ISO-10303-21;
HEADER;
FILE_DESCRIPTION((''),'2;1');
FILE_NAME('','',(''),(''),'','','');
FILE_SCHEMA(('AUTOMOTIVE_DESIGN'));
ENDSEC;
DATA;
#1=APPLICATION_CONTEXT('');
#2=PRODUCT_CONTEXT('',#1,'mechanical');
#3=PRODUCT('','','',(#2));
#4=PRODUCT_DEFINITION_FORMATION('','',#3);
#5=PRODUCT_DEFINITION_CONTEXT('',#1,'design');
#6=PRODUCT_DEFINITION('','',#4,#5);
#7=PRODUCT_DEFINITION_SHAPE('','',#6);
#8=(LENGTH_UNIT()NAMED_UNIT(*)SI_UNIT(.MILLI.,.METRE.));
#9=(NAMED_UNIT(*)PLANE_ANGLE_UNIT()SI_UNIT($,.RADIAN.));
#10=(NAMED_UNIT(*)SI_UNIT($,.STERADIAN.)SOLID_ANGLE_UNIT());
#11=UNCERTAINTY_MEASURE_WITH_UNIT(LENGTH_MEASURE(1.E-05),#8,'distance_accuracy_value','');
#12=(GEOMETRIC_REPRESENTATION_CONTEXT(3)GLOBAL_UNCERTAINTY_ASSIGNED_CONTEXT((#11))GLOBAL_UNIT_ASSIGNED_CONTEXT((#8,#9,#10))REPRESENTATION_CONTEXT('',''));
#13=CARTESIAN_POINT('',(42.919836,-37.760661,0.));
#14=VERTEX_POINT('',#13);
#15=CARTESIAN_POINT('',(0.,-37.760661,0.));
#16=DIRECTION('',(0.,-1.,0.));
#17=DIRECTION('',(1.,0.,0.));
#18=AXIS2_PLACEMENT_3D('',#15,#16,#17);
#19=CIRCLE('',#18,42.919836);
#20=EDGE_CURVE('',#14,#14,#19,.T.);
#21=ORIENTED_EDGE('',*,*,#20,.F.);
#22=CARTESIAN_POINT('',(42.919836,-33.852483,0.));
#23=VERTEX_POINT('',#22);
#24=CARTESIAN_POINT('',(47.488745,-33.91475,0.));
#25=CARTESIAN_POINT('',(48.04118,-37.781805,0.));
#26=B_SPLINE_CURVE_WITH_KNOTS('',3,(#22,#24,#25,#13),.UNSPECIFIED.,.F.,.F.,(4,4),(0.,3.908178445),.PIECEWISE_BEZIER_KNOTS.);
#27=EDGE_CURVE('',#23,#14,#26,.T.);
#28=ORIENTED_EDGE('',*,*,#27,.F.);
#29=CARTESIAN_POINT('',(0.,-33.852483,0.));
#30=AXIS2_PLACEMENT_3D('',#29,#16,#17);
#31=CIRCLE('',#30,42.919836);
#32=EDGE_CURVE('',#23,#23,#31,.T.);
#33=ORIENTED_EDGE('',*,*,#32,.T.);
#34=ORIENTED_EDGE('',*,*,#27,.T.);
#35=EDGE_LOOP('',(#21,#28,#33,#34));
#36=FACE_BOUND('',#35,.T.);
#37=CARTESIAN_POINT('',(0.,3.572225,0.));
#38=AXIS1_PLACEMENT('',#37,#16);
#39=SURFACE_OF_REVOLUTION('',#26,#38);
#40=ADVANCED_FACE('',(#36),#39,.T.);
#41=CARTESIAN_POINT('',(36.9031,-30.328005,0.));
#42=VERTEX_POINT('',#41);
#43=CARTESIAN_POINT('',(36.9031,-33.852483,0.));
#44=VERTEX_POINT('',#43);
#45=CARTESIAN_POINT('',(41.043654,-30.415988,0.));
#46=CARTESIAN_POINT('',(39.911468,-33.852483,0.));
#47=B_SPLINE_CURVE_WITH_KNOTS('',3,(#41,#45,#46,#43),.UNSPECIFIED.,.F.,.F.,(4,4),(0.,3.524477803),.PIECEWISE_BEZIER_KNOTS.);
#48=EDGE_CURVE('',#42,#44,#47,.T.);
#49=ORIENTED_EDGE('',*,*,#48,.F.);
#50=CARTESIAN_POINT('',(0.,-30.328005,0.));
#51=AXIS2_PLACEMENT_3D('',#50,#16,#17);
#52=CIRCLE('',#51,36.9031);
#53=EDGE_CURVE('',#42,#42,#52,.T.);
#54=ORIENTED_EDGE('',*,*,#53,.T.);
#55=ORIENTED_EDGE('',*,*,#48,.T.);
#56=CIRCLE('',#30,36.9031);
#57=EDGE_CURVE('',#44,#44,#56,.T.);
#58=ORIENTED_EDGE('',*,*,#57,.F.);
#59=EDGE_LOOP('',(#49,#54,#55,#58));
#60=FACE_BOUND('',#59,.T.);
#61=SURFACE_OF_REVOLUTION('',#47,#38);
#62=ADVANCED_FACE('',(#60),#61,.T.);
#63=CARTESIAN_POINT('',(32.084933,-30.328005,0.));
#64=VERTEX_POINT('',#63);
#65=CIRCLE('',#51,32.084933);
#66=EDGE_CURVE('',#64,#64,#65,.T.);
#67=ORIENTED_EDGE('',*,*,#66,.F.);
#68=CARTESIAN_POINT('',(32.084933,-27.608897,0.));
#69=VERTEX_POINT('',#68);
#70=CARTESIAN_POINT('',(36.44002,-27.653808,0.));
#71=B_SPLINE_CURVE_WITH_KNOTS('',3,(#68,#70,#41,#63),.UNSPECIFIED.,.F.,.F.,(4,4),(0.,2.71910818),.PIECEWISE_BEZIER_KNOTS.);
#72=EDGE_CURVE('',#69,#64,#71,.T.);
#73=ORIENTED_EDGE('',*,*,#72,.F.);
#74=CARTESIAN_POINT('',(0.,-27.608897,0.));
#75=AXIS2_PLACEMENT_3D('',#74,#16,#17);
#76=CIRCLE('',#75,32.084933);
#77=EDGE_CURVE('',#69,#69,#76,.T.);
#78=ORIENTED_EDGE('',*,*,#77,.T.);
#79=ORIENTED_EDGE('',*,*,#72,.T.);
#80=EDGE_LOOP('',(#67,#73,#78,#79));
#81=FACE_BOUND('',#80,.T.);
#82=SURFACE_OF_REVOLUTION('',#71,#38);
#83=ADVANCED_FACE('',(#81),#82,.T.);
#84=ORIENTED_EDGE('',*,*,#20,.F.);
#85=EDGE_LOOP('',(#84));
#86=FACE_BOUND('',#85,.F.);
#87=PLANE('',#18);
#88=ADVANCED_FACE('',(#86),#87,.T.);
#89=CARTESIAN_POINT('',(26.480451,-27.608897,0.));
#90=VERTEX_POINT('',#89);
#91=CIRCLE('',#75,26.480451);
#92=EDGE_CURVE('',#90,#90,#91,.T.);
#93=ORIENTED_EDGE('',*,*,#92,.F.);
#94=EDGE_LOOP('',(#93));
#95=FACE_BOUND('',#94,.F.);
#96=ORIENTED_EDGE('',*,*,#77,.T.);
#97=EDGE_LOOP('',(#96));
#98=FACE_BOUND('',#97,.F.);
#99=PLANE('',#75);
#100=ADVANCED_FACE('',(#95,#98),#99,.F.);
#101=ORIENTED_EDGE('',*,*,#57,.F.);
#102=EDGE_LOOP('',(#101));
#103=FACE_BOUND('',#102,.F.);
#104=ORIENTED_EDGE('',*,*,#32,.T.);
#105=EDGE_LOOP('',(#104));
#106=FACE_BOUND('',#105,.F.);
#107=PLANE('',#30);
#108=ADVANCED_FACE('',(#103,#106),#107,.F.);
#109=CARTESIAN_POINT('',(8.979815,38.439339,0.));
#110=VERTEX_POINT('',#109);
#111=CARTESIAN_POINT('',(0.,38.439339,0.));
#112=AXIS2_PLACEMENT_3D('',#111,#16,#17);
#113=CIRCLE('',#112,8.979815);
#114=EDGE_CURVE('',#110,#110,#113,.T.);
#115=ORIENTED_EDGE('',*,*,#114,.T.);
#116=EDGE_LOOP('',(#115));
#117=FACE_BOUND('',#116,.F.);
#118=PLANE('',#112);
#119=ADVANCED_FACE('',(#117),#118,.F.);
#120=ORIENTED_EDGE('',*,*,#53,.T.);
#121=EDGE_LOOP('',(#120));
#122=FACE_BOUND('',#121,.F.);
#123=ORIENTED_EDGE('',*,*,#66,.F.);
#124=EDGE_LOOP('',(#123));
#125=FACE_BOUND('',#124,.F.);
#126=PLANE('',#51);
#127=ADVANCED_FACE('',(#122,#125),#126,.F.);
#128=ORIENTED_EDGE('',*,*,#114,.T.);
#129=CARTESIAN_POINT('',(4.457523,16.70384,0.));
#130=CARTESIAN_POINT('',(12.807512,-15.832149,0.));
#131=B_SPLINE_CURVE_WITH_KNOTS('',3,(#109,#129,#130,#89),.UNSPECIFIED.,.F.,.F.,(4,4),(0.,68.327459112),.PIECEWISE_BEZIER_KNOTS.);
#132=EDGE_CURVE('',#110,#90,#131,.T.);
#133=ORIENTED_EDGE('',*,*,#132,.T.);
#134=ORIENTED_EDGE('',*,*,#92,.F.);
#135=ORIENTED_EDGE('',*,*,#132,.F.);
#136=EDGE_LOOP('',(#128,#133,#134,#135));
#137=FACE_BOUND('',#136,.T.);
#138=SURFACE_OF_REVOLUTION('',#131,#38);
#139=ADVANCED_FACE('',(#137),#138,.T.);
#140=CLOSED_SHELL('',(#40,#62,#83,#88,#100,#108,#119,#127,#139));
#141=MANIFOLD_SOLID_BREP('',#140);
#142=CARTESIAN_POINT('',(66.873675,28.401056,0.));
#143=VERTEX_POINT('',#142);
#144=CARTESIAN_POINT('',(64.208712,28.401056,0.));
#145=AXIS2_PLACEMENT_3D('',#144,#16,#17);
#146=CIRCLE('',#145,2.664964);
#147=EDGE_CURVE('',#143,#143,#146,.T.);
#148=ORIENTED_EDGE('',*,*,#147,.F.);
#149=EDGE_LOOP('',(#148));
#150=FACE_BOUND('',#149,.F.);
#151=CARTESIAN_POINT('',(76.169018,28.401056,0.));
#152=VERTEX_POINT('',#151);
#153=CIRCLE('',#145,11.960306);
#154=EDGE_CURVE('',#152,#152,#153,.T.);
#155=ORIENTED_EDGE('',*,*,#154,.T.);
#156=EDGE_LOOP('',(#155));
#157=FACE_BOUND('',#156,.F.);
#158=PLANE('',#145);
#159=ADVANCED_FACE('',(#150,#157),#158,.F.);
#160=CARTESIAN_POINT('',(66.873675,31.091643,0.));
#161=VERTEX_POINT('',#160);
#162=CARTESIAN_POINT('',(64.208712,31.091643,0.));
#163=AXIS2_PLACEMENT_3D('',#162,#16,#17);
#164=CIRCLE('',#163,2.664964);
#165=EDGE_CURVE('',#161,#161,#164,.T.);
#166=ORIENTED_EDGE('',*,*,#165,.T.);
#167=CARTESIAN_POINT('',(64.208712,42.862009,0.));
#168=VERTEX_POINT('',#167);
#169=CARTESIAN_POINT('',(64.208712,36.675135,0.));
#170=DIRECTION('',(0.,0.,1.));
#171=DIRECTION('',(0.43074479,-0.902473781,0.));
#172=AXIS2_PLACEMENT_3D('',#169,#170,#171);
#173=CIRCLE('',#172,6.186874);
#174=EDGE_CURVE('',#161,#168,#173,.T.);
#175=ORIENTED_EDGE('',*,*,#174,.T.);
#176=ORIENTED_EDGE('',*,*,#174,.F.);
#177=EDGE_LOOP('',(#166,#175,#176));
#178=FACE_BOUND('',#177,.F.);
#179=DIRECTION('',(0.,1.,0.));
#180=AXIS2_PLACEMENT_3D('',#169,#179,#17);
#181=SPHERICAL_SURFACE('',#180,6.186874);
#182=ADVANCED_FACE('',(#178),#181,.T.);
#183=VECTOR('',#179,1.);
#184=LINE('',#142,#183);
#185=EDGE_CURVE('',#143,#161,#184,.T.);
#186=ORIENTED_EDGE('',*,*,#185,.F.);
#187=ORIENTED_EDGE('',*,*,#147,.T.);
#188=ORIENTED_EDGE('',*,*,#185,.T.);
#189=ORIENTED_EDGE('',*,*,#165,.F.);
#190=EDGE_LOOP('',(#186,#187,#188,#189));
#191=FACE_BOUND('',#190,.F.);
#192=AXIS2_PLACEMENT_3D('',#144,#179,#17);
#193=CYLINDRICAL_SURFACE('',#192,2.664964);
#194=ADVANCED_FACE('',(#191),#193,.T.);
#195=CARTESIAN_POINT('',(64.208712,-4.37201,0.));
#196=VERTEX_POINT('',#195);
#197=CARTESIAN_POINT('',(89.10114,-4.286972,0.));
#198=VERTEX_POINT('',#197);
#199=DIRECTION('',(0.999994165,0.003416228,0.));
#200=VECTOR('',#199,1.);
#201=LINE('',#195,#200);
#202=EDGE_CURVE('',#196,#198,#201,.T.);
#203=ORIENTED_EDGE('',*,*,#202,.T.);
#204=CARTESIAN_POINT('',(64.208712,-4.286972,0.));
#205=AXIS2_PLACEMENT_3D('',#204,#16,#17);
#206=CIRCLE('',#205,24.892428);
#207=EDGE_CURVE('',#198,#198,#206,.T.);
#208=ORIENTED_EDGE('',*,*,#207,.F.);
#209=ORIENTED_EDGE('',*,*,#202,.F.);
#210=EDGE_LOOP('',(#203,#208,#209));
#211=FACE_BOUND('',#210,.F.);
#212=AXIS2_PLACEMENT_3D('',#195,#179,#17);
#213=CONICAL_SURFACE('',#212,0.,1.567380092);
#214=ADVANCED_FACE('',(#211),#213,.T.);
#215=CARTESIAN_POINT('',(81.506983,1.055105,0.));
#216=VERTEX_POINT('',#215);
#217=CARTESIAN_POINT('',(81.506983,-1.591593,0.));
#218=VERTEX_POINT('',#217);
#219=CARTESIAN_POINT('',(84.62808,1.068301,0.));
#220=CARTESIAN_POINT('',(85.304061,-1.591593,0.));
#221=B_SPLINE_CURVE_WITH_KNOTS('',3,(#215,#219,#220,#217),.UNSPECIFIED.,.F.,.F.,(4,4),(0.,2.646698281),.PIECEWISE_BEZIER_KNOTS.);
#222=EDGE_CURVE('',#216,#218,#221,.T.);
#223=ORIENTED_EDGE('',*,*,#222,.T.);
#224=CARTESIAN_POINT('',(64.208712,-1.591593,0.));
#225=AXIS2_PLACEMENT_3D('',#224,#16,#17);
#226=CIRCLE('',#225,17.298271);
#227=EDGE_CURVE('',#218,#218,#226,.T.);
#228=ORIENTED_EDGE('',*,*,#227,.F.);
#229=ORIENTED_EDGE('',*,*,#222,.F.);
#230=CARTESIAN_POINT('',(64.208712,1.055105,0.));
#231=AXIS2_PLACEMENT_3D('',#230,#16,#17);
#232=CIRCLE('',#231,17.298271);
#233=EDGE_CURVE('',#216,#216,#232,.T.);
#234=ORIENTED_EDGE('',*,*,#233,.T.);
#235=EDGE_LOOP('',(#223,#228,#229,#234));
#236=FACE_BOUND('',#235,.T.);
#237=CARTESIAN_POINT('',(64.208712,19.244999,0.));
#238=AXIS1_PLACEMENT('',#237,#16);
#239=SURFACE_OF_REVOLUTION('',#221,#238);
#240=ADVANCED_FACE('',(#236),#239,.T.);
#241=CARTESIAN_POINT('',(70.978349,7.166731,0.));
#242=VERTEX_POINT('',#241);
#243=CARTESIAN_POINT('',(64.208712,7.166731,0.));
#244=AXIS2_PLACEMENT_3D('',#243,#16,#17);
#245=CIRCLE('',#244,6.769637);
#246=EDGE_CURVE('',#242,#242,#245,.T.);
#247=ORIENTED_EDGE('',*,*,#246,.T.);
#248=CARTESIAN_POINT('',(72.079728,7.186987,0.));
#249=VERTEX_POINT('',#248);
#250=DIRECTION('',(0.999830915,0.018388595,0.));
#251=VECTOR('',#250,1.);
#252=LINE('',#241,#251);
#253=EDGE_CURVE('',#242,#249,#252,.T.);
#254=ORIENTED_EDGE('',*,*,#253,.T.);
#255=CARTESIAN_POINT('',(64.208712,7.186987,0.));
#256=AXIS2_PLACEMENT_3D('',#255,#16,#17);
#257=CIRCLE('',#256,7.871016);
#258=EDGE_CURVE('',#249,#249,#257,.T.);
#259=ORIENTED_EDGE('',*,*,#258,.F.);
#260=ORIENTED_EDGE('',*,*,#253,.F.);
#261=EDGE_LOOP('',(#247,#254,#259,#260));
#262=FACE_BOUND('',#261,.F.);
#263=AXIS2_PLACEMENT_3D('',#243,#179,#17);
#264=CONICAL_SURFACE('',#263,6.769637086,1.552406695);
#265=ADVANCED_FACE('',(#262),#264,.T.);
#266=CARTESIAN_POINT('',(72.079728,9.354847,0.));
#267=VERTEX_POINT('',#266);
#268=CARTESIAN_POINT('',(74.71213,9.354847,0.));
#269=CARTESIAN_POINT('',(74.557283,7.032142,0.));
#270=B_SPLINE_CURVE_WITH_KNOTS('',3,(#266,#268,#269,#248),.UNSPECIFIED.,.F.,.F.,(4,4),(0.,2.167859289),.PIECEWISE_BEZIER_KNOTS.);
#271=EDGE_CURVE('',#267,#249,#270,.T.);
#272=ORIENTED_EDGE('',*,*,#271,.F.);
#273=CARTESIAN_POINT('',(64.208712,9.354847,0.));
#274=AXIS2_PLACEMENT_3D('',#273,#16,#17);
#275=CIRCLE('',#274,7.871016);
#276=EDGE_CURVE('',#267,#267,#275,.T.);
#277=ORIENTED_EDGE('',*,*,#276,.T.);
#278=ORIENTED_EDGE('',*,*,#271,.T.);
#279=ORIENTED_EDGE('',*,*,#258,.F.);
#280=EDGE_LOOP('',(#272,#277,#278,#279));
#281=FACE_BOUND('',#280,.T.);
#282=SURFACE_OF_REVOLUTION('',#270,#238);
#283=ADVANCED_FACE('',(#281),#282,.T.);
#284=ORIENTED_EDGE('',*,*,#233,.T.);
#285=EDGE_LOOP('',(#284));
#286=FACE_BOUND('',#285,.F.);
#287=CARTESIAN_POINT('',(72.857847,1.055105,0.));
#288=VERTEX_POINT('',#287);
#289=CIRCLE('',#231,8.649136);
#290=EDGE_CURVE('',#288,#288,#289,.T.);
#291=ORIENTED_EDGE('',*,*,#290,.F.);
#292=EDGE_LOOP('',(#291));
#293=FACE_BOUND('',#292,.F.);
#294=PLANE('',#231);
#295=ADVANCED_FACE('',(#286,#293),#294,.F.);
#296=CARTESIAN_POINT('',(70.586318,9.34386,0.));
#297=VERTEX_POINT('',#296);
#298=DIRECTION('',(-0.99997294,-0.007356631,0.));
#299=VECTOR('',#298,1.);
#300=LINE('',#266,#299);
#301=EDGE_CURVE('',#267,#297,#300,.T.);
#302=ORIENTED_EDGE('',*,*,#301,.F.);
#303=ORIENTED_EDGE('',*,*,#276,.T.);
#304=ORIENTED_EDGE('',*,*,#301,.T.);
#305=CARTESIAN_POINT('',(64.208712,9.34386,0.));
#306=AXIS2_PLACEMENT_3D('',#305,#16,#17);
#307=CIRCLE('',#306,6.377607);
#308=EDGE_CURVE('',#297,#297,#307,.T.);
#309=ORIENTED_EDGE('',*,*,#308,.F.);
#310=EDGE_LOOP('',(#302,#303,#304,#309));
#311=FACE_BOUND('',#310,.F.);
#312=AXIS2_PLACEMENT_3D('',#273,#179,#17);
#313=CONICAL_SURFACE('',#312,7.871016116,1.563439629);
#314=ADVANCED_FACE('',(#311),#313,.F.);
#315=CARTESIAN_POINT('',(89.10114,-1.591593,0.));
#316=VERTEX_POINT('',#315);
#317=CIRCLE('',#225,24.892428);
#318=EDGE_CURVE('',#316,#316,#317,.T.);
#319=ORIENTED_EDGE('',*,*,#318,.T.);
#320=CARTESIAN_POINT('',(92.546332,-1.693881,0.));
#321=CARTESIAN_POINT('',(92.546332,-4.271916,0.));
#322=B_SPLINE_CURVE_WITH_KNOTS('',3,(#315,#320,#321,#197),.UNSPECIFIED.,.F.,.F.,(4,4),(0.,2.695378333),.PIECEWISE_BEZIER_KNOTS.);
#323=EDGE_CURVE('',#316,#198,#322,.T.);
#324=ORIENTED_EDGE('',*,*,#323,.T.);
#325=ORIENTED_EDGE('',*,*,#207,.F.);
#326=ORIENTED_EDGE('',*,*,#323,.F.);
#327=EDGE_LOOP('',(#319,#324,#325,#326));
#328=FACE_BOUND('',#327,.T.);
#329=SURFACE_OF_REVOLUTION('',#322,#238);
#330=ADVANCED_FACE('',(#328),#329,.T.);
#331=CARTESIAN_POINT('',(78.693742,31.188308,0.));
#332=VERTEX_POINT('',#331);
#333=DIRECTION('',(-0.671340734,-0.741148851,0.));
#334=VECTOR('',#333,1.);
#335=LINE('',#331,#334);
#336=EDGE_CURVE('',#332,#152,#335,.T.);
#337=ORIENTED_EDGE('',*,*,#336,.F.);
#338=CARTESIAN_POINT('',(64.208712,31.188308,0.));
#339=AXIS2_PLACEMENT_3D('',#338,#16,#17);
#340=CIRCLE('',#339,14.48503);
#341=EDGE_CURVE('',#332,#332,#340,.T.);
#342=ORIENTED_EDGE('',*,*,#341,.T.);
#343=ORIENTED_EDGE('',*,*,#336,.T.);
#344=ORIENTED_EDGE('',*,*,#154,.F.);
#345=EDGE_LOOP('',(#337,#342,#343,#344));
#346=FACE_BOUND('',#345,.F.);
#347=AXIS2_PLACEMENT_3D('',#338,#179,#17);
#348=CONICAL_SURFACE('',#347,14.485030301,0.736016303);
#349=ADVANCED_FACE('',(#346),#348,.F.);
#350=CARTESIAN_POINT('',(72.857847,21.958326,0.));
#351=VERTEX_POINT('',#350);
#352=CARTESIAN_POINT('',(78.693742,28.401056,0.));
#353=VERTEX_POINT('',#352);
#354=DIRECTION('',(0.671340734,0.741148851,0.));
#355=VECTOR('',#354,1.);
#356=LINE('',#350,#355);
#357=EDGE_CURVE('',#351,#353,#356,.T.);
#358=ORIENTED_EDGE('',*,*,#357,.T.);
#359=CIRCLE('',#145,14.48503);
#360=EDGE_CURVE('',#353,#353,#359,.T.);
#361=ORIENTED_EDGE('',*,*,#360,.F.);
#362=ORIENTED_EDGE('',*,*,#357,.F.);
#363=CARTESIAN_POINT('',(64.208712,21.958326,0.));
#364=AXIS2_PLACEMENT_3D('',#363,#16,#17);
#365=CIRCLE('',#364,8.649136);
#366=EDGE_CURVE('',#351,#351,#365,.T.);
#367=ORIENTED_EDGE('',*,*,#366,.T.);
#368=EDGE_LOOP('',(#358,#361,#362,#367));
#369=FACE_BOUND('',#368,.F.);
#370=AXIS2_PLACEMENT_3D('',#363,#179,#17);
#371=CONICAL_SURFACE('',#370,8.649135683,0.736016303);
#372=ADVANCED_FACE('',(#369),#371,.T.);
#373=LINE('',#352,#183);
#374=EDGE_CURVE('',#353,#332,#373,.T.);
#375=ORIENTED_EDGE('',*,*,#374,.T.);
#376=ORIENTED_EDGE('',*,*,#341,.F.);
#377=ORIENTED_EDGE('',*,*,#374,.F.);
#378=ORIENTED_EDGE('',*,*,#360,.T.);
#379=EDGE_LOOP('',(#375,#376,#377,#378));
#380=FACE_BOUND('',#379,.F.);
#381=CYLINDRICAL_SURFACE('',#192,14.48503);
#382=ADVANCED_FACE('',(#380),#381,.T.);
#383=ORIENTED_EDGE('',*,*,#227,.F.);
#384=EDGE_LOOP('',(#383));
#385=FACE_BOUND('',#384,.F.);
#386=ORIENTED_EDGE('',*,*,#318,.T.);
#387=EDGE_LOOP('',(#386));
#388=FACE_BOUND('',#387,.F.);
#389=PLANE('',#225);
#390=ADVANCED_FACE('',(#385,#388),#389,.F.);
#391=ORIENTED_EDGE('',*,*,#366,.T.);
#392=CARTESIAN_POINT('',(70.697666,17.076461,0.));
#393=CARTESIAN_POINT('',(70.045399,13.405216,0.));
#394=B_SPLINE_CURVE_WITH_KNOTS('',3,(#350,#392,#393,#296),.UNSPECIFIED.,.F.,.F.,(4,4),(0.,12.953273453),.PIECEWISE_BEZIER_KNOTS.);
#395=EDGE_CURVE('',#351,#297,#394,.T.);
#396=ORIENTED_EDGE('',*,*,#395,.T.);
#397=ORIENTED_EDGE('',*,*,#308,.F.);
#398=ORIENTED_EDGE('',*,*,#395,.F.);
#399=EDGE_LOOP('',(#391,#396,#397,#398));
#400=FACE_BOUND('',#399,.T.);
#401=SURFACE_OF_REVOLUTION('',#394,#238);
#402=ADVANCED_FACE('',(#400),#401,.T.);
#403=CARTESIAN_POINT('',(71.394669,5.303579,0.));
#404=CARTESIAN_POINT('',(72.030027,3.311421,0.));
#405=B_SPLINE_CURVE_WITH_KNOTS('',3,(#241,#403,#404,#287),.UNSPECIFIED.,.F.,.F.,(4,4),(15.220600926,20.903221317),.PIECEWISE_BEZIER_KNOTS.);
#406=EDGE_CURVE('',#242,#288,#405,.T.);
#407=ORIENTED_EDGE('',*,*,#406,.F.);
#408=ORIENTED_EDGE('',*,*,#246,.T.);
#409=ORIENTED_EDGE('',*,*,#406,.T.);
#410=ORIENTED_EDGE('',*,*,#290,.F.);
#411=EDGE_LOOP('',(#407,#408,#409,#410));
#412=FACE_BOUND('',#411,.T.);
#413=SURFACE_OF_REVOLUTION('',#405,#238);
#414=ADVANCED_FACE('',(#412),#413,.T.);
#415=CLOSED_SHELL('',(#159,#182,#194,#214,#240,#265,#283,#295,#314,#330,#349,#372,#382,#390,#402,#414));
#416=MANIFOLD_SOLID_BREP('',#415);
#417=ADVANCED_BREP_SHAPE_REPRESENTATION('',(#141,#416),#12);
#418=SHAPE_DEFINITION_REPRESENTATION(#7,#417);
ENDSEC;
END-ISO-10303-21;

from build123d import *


with BuildPart() as f1:
    # F0 (on Top) → F1 (revolve)
    with BuildSketch(Plane.XY):
        with BuildLine():
            add(Edge.make_bspline(
                [(8.9798149489, 38.4393385582), (4.4575230801, 16.7038398757), (12.8075117564, -15.8321490101), (26.4804505514, -27.6088970143)],
                knots=[0, 0, 0, 0, 68.3274591122, 68.3274591122, 68.3274591122, 68.3274591122], degree=3))
            Line((8.9798149489, 38.4393385582), (0, 38.4393385582))
            Line((0, 38.4393385582), (0, -27.6088970143))
            Line((0, -27.6088970143), (26.4804505514, -27.6088970143))
        make_face()
        with BuildLine():
            Line((32.0849334913, -27.6088970143), (26.4804505514, -27.6088970143))
            Line((26.4804505514, -27.6088970143), (0, -27.6088970143))
            Line((0, -27.6088970143), (0, -37.7606614418))
            Line((0, -37.7606614418), (42.9198360595, -37.7606614418))
            add(Edge.make_bspline(
                [(42.9198360595, -33.8524829969), (47.4887453404, -33.9147504881), (48.041179556, -37.781804595), (42.9198360595, -37.7606614418)],
                knots=[0, 0, 0, 0, 3.908178445, 3.908178445, 3.908178445, 3.908178445], degree=3))
            Line((42.9198360595, -33.8524829969), (36.9030995862, -33.8524829969))
            add(Edge.make_bspline(
                [(36.9030995862, -30.3280051941), (41.0436541889, -30.4159878045), (39.9114678228, -33.8524829969), (36.9030995862, -33.8524829969)],
                knots=[0, 0, 0, 0, 3.5244778027, 3.5244778027, 3.5244778027, 3.5244778027], degree=3))
            Line((36.9030995862, -30.3280051941), (32.0849334913, -30.3280051941))
            add(Edge.make_bspline(
                [(32.0849334913, -27.6088970143), (36.4400201546, -27.6538079679), (36.9030995862, -30.3280051941), (32.0849334913, -30.3280051941)],
                knots=[0, 0, 0, 0, 2.7191081798, 2.7191081798, 2.7191081798, 2.7191081798], degree=3))
        make_face()
    revolve(axis=Axis((0, 3.5722250685, 0), (0, -1, 0)))


with BuildPart() as f2:
    # F0 (on Top) → F2 (revolve)
    with BuildSketch(Plane.XY):
        Polygon((78.6937419057, 31.1883083037), (76.169017965, 28.4010556419), (78.6937419057, 28.4010556419), align=None)
        with BuildLine():
            Line((72.8578472876, 1.0551050639), (64.2087116049, 1.0551050639))
            Line((64.2087116049, 1.0551050639), (64.2087116049, -4.3720102617))
            Line((64.2087116049, -4.3720102617), (89.1011396842, -4.2869715505))
            add(Edge.make_bspline(
                [(89.1011396842, -1.5915932173), (92.5463321222, -1.6938814685), (92.5463321222, -4.2719155935), (89.1011396842, -4.2869715505)],
                knots=[0, 0, 0, 0, 2.6953783332, 2.6953783332, 2.6953783332, 2.6953783332], degree=3))
            Line((89.1011396842, -1.5915932173), (81.5069829702, -1.5915932173))
            add(Edge.make_bspline(
                [(81.5069829702, 1.0551050639), (84.6280796563, 1.0683012877), (85.3040613272, -1.5915932173), (81.5069829702, -1.5915932173)],
                knots=[0, 0, 0, 0, 2.6466982812, 2.6466982812, 2.6466982812, 2.6466982812], degree=3))
            Line((81.5069829702, 1.0551050639), (72.8578472876, 1.0551050639))
        make_face()
        with BuildLine():
            Line((70.586318236, 9.3438598765), (64.2087116049, 9.2969409062))
            Line((64.2087116049, 9.2969409062), (64.2087116049, 7.0422259413))
            Line((64.2087116049, 7.0422259413), (70.9783486906, 7.1667311098))
            add(Edge.make_bspline(
                [(70.586318236, 9.3438598765), (70.6810001111, 8.6329643213), (70.8122395566, 7.9101162839), (70.9783486906, 7.1667311098)],
                knots=[12.9532734528, 12.9532734528, 12.9532734528, 12.9532734528, 15.2206009262, 15.2206009262, 15.2206009262, 15.2206009262], degree=3))
        make_face()
        with BuildLine():
            Line((64.2087116049, 30.4882603117), (64.2087116049, 28.4010556419))
            Line((64.2087116049, 28.4010556419), (66.8736754889, 28.4010556419))
            Line((66.8736754889, 28.4010556419), (66.8736754889, 31.0916427703))
            ThreePointArc((66.8736754889, 31.0916427703), (65.5749201262, 30.6409911024), (64.2087116049, 30.4882603117))
        make_face()
        with BuildLine():
            Line((72.0797277207, 9.3548466367), (70.586318236, 9.3438598765))
            add(Edge.make_bspline(
                [(70.586318236, 9.3438598765), (70.6810001111, 8.6329643213), (70.8122395566, 7.9101162839), (70.9783486906, 7.1667311098)],
                knots=[12.9532734528, 12.9532734528, 12.9532734528, 12.9532734528, 15.2206009262, 15.2206009262, 15.2206009262, 15.2206009262], degree=3))
            Line((70.9783486906, 7.1667311098), (72.0797277207, 7.186987348))
            add(Edge.make_bspline(
                [(72.0797277207, 9.3548466367), (74.7121298496, 9.3548466367), (74.5572829661, 7.0321419243), (72.0797277207, 7.186987348)],
                knots=[0, 0, 0, 0, 2.1678592887, 2.1678592887, 2.1678592887, 2.1678592887], degree=3))
        make_face()
        with BuildLine():
            Line((70.9783486906, 7.1667311098), (64.2087116049, 7.0422259413))
            Line((64.2087116049, 7.0422259413), (64.2087116049, 1.0551050639))
            Line((64.2087116049, 1.0551050639), (72.8578472876, 1.0551050639))
            add(Edge.make_bspline(
                [(70.9783486906, 7.1667311098), (71.3946692984, 5.3035790958), (72.0300265914, 3.3114214462), (72.8578472876, 1.0551050639)],
                knots=[15.2206009262, 15.2206009262, 15.2206009262, 15.2206009262, 20.9032213171, 20.9032213171, 20.9032213171, 20.9032213171], degree=3))
        make_face()
        Polygon((66.8736754889, 28.4010556419), (64.2087116049, 28.4010556419), (64.2087116049, 21.958326381), (72.8578472876, 21.958326381), (78.6937419057, 28.4010556419), (76.169017965, 28.4010556419), align=None)
        with BuildLine():
            Line((64.2087116049, 42.862008982), (64.2087116049, 30.4882603117))
            ThreePointArc((64.2087116049, 30.4882603117), (65.5749201262, 30.6409911024), (66.8736754889, 31.0916427703))
            ThreePointArc((66.8736754889, 31.0916427703), (70.2428551493, 38.0413431681), (64.2087116049, 42.862008982))
        make_face()
        with BuildLine():
            Line((72.8578472876, 21.958326381), (64.2087116049, 21.958326381))
            Line((64.2087116049, 21.958326381), (64.2087116049, 9.2969409062))
            Line((64.2087116049, 9.2969409062), (70.586318236, 9.3438598765))
            add(Edge.make_bspline(
                [(72.8578472876, 21.958326381), (70.6976657819, 17.0764608749), (70.0453993639, 13.4052160901), (70.586318236, 9.3438598765)],
                knots=[0, 0, 0, 0, 12.9532734528, 12.9532734528, 12.9532734528, 12.9532734528], degree=3))
        make_face()
    revolve(axis=Axis((64.2087116049, 19.2449993602, 0), (0, -1, 0)))


solid = Compound([f1.part, f2.part])
